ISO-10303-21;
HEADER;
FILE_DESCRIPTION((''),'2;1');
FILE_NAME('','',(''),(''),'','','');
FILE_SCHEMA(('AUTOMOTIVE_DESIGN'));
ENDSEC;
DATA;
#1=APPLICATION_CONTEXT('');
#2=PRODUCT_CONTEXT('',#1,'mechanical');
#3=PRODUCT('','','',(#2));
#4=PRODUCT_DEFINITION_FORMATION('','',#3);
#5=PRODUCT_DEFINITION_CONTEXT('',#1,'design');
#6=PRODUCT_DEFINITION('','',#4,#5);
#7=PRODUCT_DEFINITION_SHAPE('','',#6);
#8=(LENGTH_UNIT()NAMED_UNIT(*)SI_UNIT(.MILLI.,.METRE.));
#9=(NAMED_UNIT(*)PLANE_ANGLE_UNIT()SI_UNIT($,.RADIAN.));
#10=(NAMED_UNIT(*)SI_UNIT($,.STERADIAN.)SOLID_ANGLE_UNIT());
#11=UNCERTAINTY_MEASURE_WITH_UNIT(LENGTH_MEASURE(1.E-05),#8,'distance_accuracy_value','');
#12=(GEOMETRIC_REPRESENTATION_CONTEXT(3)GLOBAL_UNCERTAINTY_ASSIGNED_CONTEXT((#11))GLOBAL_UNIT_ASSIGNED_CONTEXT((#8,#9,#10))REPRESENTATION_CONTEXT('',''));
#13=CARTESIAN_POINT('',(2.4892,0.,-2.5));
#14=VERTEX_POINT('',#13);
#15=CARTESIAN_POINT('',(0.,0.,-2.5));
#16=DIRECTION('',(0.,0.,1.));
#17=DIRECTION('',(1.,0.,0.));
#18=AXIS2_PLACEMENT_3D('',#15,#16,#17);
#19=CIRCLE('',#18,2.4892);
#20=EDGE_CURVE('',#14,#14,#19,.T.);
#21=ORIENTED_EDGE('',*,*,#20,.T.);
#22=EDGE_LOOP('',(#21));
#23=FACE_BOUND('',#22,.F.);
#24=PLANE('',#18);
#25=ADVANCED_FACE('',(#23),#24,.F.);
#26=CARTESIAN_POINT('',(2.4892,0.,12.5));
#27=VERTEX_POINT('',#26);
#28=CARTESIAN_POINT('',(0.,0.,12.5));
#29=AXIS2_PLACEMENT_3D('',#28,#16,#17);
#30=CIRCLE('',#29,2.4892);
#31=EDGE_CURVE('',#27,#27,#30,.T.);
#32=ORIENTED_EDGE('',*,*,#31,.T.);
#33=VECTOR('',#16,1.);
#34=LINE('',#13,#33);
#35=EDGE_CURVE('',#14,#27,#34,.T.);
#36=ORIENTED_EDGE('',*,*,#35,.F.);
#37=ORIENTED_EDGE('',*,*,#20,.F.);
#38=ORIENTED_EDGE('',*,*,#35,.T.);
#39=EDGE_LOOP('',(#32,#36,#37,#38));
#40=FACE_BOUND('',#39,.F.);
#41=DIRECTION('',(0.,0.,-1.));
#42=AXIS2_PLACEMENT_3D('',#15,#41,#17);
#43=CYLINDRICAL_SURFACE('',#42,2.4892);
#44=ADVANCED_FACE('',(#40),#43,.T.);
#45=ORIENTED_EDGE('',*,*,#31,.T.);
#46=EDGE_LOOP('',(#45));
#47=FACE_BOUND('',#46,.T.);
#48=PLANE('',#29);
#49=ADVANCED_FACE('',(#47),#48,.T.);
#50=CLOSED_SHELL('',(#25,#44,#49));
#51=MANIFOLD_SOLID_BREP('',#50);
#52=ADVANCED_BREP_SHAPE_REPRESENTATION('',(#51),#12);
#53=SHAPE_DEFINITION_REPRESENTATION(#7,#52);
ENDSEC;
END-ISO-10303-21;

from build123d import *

# Parameters (mm, degrees)
CYLINDER_R     = 2.4892
CYLINDER_DEPTH = 15


with BuildPart() as part:
    # Cylinder → Cylinder (new body)
    with BuildSketch(Plane.XY.offset(-2.5)):
        Circle(CYLINDER_R)
    extrude(amount=CYLINDER_DEPTH)


solid = part.part
